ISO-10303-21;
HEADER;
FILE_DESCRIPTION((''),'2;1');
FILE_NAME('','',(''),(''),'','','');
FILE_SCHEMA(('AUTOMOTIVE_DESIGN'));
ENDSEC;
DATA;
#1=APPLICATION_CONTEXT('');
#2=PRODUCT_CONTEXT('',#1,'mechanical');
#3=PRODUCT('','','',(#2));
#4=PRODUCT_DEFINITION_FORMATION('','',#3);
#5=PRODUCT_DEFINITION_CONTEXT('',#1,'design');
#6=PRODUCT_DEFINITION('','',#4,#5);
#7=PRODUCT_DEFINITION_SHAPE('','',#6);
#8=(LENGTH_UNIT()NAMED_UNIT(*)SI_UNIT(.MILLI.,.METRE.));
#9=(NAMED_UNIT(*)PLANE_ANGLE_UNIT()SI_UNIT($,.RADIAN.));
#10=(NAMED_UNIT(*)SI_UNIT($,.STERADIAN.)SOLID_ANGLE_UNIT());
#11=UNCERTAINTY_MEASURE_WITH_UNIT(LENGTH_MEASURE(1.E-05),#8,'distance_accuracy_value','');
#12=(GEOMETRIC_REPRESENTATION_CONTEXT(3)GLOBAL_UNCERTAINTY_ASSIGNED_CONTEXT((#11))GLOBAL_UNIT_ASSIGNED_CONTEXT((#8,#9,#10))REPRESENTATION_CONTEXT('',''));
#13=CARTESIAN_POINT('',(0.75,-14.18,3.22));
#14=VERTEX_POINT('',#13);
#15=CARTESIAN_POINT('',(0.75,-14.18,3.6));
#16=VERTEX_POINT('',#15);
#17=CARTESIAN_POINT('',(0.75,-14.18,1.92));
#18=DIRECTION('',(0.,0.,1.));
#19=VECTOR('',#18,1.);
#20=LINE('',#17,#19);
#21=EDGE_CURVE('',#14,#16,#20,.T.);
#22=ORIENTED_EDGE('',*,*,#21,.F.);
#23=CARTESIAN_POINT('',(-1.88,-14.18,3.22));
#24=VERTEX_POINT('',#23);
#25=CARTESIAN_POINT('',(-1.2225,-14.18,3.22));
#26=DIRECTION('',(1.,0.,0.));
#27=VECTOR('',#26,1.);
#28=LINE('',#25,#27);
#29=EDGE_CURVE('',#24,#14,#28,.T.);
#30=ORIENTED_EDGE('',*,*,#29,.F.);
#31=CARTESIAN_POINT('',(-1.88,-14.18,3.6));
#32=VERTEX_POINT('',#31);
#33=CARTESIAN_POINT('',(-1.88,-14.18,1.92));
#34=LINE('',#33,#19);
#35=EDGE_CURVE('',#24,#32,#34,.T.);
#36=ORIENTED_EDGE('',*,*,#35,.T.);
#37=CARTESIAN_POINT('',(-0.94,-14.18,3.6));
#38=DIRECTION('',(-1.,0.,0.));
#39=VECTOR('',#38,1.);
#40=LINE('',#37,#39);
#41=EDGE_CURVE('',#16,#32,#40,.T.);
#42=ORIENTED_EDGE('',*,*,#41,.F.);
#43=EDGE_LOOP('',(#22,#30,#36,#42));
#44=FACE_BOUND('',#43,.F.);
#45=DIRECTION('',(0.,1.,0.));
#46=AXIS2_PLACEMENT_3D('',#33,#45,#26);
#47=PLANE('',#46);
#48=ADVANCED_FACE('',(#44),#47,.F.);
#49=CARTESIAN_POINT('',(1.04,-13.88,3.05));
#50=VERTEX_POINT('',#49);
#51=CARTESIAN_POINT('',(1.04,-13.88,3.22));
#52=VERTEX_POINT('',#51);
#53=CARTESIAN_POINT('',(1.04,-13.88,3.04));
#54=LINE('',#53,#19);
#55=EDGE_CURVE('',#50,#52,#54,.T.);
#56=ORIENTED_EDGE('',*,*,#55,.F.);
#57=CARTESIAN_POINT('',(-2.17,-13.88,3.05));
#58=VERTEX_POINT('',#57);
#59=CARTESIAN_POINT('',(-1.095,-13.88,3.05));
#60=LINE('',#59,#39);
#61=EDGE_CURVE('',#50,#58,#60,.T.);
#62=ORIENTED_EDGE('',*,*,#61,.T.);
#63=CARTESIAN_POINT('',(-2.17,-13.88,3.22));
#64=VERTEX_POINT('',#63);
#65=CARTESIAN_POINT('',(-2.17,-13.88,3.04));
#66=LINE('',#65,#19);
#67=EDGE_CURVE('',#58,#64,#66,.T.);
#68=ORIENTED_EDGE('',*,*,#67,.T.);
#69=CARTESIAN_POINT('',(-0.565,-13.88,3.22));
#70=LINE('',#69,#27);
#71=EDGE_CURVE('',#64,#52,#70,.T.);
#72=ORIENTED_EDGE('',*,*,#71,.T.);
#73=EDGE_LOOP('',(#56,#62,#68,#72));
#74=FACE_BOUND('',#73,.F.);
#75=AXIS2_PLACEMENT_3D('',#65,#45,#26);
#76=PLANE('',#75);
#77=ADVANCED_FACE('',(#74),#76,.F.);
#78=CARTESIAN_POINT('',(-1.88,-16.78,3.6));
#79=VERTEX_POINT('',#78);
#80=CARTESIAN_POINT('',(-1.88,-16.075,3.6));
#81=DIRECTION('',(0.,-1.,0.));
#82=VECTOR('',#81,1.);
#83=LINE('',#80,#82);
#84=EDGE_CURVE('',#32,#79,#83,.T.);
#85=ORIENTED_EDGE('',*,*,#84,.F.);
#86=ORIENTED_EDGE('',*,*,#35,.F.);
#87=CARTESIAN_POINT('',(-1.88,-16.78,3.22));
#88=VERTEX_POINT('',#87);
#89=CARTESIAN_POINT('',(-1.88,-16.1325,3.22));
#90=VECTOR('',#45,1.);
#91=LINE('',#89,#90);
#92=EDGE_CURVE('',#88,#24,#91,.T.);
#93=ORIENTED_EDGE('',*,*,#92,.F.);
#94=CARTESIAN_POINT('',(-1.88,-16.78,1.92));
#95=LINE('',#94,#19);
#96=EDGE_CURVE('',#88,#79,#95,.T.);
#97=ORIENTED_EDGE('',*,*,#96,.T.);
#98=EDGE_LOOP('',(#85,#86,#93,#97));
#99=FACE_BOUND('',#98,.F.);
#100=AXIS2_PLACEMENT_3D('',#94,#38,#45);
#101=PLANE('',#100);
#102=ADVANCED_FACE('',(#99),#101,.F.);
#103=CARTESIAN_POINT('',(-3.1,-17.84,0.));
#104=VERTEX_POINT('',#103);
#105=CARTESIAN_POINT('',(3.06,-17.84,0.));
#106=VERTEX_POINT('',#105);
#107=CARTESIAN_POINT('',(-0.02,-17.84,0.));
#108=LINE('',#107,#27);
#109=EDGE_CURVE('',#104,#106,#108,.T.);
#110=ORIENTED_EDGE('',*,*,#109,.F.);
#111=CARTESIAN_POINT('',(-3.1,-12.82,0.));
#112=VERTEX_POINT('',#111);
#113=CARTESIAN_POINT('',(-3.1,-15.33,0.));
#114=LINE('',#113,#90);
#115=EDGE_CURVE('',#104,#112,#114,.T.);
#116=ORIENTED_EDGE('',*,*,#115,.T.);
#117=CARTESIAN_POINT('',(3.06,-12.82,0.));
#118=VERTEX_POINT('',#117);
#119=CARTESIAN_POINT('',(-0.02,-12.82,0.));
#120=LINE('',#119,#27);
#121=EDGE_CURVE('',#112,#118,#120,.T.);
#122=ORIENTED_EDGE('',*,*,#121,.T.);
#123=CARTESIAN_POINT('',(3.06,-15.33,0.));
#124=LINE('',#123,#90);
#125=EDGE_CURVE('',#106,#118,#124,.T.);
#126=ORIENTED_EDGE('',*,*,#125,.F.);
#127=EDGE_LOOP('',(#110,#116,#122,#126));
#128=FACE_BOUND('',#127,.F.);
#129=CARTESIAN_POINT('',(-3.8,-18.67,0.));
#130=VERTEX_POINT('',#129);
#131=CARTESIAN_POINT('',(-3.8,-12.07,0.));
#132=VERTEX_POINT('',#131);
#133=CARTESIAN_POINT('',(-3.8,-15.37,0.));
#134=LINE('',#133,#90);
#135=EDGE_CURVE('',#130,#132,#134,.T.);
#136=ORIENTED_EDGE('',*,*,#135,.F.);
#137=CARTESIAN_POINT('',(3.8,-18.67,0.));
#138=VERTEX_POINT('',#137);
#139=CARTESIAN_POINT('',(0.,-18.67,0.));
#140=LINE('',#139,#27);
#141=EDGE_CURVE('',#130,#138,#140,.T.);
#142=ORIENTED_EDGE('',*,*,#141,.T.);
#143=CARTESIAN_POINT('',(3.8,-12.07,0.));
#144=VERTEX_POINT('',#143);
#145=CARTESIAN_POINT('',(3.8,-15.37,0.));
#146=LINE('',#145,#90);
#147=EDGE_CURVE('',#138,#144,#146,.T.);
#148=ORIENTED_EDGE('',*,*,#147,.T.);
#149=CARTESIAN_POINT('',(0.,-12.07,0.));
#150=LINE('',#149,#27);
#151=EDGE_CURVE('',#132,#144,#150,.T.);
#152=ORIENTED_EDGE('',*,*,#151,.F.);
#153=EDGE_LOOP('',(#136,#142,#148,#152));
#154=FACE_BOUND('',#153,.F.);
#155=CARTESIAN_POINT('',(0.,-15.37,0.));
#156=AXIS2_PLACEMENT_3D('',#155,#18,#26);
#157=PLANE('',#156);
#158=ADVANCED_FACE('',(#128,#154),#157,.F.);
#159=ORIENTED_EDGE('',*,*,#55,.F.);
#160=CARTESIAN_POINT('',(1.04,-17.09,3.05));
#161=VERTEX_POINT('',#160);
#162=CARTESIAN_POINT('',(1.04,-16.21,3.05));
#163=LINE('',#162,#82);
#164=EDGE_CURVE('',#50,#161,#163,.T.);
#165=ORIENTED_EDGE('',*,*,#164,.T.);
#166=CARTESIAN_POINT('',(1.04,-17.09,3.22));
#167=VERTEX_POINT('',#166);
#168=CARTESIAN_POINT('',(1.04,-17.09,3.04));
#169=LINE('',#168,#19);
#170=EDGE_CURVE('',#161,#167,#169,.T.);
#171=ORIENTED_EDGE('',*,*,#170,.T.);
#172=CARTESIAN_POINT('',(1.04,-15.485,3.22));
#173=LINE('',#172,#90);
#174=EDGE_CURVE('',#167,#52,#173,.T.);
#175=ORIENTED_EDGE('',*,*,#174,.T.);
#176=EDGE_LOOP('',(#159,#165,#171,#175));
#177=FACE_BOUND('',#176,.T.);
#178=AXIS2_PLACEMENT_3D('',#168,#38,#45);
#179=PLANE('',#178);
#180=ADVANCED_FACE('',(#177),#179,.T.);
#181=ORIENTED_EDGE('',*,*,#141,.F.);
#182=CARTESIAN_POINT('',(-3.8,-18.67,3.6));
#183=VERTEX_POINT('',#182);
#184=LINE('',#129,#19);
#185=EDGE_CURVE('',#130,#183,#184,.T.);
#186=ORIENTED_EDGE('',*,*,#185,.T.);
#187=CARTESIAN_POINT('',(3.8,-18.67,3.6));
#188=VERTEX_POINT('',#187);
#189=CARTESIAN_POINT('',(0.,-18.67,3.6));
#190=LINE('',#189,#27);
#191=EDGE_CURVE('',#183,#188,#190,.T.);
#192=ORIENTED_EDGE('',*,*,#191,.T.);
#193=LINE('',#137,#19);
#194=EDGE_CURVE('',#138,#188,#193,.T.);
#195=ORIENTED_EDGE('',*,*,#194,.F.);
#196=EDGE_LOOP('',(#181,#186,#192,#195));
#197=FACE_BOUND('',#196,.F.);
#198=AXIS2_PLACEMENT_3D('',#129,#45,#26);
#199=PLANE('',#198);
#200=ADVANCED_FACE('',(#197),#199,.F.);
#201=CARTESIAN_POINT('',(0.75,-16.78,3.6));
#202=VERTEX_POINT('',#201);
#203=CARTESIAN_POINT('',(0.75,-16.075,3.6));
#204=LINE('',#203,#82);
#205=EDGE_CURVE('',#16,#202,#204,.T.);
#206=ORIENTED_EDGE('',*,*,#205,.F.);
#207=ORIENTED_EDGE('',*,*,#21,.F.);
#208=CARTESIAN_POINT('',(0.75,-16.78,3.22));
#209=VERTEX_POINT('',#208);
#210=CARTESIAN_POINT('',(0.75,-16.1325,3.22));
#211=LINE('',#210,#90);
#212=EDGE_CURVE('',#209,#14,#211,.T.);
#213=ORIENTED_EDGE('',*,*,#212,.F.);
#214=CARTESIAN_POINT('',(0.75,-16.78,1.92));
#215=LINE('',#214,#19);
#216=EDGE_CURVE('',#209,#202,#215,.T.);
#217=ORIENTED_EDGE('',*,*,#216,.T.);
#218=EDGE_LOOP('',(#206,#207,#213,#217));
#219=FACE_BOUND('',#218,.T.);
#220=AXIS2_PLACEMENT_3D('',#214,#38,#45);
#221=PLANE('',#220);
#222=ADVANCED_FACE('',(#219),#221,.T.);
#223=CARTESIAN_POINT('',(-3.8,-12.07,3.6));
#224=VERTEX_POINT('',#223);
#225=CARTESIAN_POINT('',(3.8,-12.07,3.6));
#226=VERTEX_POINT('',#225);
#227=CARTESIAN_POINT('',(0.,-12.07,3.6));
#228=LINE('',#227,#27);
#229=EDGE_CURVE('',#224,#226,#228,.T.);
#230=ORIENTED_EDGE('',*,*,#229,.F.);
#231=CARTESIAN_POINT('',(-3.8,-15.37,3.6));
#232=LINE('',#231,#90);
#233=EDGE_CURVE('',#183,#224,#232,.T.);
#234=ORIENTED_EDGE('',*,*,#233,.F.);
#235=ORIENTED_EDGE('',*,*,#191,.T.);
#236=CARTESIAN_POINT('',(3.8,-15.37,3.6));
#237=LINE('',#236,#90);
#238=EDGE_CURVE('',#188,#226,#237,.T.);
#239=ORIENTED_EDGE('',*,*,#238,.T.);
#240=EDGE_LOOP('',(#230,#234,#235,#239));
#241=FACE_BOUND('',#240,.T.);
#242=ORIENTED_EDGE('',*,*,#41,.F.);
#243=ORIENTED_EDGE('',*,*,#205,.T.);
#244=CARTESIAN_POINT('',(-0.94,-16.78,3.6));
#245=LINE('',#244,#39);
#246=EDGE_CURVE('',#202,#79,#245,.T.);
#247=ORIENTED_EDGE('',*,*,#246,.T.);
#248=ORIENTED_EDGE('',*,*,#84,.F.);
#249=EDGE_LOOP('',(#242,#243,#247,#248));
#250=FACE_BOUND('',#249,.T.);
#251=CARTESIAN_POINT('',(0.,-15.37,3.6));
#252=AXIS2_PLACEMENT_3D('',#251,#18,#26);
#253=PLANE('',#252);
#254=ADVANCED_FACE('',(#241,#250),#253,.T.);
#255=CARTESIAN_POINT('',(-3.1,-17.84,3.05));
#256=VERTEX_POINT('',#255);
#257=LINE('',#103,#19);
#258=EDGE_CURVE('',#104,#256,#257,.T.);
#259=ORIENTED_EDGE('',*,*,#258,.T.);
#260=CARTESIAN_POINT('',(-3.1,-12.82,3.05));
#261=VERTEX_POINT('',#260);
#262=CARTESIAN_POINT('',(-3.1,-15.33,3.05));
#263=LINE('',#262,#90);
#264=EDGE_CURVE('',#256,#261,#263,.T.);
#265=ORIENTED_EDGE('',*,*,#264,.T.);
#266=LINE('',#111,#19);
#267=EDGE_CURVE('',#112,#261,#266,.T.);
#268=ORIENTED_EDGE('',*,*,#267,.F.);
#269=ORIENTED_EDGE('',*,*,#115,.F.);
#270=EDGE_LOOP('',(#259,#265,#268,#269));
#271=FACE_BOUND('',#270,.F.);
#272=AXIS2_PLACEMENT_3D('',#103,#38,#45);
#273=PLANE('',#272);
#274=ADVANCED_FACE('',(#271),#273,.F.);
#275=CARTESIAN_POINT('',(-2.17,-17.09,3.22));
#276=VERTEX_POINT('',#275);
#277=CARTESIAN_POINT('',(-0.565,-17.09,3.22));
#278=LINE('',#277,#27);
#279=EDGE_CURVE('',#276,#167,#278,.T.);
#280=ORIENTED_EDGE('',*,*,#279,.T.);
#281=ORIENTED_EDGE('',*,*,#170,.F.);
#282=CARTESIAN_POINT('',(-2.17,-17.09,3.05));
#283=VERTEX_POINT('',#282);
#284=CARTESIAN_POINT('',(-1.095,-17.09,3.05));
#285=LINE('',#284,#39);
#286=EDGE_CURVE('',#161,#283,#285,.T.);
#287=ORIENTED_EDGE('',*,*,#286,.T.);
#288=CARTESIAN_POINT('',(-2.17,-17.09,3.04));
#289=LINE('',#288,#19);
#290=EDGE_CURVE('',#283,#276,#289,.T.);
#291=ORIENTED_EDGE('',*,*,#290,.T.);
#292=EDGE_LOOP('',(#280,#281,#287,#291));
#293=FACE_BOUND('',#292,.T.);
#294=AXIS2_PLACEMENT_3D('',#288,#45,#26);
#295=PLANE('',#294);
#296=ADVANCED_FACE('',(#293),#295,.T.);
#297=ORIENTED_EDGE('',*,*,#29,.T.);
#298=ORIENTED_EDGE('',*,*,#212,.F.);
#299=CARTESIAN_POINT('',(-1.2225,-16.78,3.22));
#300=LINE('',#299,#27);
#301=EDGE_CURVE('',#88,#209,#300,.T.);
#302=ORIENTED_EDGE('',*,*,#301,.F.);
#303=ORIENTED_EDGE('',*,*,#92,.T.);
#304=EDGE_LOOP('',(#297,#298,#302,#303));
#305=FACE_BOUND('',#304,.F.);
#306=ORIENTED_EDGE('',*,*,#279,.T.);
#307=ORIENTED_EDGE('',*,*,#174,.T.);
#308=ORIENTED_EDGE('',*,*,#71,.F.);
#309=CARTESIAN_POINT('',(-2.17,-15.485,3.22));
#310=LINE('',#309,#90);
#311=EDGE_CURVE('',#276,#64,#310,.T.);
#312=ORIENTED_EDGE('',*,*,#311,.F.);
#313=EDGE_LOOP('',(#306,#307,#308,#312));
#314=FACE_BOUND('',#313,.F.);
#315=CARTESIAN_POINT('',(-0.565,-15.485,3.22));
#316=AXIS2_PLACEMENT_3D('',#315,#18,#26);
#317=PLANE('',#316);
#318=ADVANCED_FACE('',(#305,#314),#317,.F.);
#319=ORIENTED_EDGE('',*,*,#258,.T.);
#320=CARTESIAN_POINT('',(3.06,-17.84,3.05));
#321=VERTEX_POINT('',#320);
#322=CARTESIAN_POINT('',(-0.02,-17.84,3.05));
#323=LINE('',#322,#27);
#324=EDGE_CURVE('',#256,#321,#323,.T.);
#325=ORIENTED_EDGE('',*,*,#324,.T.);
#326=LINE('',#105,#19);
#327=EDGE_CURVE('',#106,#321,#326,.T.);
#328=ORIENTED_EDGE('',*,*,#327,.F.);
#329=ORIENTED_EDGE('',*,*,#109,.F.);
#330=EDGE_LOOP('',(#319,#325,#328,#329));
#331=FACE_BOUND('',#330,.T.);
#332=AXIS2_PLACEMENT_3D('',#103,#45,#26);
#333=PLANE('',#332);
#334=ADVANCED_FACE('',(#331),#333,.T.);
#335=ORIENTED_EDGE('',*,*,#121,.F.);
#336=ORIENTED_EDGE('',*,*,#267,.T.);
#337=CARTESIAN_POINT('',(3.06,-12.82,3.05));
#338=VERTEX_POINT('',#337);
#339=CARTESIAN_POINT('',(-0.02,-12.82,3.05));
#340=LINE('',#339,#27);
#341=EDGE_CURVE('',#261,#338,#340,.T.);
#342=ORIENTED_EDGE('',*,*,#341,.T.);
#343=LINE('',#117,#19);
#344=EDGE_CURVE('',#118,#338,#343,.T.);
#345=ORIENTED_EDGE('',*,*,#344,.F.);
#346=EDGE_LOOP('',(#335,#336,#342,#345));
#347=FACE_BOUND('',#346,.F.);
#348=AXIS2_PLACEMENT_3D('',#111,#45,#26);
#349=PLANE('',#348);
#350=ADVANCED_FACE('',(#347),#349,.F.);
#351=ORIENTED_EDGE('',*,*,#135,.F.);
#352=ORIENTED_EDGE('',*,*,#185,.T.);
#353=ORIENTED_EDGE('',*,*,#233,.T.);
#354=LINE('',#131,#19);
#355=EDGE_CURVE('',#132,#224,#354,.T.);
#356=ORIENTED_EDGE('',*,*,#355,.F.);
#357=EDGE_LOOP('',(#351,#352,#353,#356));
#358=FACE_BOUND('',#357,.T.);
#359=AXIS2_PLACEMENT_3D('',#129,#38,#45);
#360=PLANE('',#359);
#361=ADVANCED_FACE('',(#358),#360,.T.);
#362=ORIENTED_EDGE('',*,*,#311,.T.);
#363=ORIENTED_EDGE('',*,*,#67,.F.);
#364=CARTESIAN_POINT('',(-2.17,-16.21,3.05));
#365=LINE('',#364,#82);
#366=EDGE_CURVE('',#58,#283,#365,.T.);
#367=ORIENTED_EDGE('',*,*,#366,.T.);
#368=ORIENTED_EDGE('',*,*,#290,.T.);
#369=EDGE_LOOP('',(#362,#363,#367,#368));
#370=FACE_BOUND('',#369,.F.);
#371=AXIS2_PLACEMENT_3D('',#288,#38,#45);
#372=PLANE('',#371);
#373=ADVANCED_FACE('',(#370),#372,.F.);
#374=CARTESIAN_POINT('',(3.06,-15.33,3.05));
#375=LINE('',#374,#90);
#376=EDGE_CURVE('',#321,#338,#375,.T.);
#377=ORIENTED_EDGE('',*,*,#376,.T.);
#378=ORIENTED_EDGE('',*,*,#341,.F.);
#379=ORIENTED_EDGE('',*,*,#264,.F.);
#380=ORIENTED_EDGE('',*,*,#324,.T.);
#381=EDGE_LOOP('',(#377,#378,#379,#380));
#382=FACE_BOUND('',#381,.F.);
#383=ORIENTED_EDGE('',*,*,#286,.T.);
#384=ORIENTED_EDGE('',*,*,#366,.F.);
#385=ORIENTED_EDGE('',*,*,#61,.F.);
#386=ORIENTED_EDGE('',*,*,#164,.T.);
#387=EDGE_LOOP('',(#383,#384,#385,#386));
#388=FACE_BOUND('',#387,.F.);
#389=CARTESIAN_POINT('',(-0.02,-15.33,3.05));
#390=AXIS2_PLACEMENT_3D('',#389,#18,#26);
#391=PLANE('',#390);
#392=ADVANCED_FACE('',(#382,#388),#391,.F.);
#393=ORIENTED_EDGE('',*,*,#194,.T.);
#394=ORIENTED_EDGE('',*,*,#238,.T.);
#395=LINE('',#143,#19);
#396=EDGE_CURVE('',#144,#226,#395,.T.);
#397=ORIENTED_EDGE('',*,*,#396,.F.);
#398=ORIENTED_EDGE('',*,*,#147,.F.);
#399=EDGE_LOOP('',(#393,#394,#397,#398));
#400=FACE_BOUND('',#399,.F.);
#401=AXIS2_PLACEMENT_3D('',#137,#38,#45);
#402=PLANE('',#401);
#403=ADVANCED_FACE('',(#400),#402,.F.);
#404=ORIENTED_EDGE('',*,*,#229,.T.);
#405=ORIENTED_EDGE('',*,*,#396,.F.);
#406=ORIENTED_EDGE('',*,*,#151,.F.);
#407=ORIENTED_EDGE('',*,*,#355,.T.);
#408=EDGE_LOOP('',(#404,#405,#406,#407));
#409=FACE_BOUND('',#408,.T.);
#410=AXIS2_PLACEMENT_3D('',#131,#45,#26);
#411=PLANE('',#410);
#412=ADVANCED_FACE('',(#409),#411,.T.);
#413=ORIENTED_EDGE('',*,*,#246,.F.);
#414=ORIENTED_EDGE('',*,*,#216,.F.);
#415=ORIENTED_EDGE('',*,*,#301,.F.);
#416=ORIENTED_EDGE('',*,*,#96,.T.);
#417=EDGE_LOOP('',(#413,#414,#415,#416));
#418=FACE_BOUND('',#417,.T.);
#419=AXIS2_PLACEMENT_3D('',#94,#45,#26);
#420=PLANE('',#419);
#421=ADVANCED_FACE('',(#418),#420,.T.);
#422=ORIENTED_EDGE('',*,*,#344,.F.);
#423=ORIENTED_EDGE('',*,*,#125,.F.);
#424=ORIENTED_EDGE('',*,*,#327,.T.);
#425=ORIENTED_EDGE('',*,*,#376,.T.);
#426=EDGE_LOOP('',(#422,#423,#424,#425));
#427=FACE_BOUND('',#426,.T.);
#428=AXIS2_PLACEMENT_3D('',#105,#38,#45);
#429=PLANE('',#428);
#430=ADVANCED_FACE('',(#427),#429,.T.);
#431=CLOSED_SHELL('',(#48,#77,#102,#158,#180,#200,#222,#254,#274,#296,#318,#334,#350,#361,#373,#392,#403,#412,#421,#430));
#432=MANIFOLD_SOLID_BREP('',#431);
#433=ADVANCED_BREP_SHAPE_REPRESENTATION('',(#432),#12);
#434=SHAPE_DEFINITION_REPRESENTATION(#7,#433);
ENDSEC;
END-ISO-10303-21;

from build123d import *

# Parameters (mm, degrees)
SKETCH014_W  = 3.21
SKETCH014_H  = 3.21
PAD012_DEPTH = 0.18
SKETCH013_W  = 2.63
SKETCH013_H  = 2.6
PAD011_DEPTH = 3
SKETCH011_W  = 7.6
SKETCH011_H  = 6.6
PAD010_DEPTH = 3.6
SKETCH012_W  = 6.16
SKETCH012_H  = 5.02
POCKET_DEPTH = 3.05


with BuildPart() as body012:
    # Sketch014 → Pad012 (new body)
    with BuildSketch(Plane.XY):
        with Locations((-0.565, -15.485)):
            Rectangle(SKETCH014_W, SKETCH014_H)
    extrude(amount=PAD012_DEPTH)


with BuildPart() as body012_1:
    # Body012 placement: moved
    add(body012.part.moved(Location((0, 0, 3.04))))


with BuildPart() as outer_shelll_cutout_top:
    # Sketch013 → Pad011 (new body)
    with BuildSketch(Plane.XY):
        with Locations((-0.565, -15.48)):
            Rectangle(SKETCH013_W, SKETCH013_H)
    extrude(amount=PAD011_DEPTH)


with BuildPart() as outer_shelll_cutout_top_1:
    # Body011 placement: moved
    add(outer_shelll_cutout_top.part.moved(Location((0, 0, 1.92))))


with BuildPart() as cut001_outer_shell:
    # Sketch011 → Pad010 (new body)
    with BuildSketch(Plane.XY):
        with Locations((0, -15.37)):
            Rectangle(SKETCH011_W, SKETCH011_H)
    extrude(amount=PAD010_DEPTH)

    # Sketch012 → Pocket (cut)
    with BuildSketch(Plane.XY):
        with Locations((-0.02, -15.33)):
            Rectangle(SKETCH012_W, SKETCH012_H)
    extrude(amount=POCKET_DEPTH, mode=Mode.SUBTRACT)

    # Cut: cut outer_shelll_cutout_top
    add(outer_shelll_cutout_top_1.part, mode=Mode.SUBTRACT)

    # Cut001: cut Body012
    add(body012_1.part, mode=Mode.SUBTRACT)


solid = cut001_outer_shell.part
